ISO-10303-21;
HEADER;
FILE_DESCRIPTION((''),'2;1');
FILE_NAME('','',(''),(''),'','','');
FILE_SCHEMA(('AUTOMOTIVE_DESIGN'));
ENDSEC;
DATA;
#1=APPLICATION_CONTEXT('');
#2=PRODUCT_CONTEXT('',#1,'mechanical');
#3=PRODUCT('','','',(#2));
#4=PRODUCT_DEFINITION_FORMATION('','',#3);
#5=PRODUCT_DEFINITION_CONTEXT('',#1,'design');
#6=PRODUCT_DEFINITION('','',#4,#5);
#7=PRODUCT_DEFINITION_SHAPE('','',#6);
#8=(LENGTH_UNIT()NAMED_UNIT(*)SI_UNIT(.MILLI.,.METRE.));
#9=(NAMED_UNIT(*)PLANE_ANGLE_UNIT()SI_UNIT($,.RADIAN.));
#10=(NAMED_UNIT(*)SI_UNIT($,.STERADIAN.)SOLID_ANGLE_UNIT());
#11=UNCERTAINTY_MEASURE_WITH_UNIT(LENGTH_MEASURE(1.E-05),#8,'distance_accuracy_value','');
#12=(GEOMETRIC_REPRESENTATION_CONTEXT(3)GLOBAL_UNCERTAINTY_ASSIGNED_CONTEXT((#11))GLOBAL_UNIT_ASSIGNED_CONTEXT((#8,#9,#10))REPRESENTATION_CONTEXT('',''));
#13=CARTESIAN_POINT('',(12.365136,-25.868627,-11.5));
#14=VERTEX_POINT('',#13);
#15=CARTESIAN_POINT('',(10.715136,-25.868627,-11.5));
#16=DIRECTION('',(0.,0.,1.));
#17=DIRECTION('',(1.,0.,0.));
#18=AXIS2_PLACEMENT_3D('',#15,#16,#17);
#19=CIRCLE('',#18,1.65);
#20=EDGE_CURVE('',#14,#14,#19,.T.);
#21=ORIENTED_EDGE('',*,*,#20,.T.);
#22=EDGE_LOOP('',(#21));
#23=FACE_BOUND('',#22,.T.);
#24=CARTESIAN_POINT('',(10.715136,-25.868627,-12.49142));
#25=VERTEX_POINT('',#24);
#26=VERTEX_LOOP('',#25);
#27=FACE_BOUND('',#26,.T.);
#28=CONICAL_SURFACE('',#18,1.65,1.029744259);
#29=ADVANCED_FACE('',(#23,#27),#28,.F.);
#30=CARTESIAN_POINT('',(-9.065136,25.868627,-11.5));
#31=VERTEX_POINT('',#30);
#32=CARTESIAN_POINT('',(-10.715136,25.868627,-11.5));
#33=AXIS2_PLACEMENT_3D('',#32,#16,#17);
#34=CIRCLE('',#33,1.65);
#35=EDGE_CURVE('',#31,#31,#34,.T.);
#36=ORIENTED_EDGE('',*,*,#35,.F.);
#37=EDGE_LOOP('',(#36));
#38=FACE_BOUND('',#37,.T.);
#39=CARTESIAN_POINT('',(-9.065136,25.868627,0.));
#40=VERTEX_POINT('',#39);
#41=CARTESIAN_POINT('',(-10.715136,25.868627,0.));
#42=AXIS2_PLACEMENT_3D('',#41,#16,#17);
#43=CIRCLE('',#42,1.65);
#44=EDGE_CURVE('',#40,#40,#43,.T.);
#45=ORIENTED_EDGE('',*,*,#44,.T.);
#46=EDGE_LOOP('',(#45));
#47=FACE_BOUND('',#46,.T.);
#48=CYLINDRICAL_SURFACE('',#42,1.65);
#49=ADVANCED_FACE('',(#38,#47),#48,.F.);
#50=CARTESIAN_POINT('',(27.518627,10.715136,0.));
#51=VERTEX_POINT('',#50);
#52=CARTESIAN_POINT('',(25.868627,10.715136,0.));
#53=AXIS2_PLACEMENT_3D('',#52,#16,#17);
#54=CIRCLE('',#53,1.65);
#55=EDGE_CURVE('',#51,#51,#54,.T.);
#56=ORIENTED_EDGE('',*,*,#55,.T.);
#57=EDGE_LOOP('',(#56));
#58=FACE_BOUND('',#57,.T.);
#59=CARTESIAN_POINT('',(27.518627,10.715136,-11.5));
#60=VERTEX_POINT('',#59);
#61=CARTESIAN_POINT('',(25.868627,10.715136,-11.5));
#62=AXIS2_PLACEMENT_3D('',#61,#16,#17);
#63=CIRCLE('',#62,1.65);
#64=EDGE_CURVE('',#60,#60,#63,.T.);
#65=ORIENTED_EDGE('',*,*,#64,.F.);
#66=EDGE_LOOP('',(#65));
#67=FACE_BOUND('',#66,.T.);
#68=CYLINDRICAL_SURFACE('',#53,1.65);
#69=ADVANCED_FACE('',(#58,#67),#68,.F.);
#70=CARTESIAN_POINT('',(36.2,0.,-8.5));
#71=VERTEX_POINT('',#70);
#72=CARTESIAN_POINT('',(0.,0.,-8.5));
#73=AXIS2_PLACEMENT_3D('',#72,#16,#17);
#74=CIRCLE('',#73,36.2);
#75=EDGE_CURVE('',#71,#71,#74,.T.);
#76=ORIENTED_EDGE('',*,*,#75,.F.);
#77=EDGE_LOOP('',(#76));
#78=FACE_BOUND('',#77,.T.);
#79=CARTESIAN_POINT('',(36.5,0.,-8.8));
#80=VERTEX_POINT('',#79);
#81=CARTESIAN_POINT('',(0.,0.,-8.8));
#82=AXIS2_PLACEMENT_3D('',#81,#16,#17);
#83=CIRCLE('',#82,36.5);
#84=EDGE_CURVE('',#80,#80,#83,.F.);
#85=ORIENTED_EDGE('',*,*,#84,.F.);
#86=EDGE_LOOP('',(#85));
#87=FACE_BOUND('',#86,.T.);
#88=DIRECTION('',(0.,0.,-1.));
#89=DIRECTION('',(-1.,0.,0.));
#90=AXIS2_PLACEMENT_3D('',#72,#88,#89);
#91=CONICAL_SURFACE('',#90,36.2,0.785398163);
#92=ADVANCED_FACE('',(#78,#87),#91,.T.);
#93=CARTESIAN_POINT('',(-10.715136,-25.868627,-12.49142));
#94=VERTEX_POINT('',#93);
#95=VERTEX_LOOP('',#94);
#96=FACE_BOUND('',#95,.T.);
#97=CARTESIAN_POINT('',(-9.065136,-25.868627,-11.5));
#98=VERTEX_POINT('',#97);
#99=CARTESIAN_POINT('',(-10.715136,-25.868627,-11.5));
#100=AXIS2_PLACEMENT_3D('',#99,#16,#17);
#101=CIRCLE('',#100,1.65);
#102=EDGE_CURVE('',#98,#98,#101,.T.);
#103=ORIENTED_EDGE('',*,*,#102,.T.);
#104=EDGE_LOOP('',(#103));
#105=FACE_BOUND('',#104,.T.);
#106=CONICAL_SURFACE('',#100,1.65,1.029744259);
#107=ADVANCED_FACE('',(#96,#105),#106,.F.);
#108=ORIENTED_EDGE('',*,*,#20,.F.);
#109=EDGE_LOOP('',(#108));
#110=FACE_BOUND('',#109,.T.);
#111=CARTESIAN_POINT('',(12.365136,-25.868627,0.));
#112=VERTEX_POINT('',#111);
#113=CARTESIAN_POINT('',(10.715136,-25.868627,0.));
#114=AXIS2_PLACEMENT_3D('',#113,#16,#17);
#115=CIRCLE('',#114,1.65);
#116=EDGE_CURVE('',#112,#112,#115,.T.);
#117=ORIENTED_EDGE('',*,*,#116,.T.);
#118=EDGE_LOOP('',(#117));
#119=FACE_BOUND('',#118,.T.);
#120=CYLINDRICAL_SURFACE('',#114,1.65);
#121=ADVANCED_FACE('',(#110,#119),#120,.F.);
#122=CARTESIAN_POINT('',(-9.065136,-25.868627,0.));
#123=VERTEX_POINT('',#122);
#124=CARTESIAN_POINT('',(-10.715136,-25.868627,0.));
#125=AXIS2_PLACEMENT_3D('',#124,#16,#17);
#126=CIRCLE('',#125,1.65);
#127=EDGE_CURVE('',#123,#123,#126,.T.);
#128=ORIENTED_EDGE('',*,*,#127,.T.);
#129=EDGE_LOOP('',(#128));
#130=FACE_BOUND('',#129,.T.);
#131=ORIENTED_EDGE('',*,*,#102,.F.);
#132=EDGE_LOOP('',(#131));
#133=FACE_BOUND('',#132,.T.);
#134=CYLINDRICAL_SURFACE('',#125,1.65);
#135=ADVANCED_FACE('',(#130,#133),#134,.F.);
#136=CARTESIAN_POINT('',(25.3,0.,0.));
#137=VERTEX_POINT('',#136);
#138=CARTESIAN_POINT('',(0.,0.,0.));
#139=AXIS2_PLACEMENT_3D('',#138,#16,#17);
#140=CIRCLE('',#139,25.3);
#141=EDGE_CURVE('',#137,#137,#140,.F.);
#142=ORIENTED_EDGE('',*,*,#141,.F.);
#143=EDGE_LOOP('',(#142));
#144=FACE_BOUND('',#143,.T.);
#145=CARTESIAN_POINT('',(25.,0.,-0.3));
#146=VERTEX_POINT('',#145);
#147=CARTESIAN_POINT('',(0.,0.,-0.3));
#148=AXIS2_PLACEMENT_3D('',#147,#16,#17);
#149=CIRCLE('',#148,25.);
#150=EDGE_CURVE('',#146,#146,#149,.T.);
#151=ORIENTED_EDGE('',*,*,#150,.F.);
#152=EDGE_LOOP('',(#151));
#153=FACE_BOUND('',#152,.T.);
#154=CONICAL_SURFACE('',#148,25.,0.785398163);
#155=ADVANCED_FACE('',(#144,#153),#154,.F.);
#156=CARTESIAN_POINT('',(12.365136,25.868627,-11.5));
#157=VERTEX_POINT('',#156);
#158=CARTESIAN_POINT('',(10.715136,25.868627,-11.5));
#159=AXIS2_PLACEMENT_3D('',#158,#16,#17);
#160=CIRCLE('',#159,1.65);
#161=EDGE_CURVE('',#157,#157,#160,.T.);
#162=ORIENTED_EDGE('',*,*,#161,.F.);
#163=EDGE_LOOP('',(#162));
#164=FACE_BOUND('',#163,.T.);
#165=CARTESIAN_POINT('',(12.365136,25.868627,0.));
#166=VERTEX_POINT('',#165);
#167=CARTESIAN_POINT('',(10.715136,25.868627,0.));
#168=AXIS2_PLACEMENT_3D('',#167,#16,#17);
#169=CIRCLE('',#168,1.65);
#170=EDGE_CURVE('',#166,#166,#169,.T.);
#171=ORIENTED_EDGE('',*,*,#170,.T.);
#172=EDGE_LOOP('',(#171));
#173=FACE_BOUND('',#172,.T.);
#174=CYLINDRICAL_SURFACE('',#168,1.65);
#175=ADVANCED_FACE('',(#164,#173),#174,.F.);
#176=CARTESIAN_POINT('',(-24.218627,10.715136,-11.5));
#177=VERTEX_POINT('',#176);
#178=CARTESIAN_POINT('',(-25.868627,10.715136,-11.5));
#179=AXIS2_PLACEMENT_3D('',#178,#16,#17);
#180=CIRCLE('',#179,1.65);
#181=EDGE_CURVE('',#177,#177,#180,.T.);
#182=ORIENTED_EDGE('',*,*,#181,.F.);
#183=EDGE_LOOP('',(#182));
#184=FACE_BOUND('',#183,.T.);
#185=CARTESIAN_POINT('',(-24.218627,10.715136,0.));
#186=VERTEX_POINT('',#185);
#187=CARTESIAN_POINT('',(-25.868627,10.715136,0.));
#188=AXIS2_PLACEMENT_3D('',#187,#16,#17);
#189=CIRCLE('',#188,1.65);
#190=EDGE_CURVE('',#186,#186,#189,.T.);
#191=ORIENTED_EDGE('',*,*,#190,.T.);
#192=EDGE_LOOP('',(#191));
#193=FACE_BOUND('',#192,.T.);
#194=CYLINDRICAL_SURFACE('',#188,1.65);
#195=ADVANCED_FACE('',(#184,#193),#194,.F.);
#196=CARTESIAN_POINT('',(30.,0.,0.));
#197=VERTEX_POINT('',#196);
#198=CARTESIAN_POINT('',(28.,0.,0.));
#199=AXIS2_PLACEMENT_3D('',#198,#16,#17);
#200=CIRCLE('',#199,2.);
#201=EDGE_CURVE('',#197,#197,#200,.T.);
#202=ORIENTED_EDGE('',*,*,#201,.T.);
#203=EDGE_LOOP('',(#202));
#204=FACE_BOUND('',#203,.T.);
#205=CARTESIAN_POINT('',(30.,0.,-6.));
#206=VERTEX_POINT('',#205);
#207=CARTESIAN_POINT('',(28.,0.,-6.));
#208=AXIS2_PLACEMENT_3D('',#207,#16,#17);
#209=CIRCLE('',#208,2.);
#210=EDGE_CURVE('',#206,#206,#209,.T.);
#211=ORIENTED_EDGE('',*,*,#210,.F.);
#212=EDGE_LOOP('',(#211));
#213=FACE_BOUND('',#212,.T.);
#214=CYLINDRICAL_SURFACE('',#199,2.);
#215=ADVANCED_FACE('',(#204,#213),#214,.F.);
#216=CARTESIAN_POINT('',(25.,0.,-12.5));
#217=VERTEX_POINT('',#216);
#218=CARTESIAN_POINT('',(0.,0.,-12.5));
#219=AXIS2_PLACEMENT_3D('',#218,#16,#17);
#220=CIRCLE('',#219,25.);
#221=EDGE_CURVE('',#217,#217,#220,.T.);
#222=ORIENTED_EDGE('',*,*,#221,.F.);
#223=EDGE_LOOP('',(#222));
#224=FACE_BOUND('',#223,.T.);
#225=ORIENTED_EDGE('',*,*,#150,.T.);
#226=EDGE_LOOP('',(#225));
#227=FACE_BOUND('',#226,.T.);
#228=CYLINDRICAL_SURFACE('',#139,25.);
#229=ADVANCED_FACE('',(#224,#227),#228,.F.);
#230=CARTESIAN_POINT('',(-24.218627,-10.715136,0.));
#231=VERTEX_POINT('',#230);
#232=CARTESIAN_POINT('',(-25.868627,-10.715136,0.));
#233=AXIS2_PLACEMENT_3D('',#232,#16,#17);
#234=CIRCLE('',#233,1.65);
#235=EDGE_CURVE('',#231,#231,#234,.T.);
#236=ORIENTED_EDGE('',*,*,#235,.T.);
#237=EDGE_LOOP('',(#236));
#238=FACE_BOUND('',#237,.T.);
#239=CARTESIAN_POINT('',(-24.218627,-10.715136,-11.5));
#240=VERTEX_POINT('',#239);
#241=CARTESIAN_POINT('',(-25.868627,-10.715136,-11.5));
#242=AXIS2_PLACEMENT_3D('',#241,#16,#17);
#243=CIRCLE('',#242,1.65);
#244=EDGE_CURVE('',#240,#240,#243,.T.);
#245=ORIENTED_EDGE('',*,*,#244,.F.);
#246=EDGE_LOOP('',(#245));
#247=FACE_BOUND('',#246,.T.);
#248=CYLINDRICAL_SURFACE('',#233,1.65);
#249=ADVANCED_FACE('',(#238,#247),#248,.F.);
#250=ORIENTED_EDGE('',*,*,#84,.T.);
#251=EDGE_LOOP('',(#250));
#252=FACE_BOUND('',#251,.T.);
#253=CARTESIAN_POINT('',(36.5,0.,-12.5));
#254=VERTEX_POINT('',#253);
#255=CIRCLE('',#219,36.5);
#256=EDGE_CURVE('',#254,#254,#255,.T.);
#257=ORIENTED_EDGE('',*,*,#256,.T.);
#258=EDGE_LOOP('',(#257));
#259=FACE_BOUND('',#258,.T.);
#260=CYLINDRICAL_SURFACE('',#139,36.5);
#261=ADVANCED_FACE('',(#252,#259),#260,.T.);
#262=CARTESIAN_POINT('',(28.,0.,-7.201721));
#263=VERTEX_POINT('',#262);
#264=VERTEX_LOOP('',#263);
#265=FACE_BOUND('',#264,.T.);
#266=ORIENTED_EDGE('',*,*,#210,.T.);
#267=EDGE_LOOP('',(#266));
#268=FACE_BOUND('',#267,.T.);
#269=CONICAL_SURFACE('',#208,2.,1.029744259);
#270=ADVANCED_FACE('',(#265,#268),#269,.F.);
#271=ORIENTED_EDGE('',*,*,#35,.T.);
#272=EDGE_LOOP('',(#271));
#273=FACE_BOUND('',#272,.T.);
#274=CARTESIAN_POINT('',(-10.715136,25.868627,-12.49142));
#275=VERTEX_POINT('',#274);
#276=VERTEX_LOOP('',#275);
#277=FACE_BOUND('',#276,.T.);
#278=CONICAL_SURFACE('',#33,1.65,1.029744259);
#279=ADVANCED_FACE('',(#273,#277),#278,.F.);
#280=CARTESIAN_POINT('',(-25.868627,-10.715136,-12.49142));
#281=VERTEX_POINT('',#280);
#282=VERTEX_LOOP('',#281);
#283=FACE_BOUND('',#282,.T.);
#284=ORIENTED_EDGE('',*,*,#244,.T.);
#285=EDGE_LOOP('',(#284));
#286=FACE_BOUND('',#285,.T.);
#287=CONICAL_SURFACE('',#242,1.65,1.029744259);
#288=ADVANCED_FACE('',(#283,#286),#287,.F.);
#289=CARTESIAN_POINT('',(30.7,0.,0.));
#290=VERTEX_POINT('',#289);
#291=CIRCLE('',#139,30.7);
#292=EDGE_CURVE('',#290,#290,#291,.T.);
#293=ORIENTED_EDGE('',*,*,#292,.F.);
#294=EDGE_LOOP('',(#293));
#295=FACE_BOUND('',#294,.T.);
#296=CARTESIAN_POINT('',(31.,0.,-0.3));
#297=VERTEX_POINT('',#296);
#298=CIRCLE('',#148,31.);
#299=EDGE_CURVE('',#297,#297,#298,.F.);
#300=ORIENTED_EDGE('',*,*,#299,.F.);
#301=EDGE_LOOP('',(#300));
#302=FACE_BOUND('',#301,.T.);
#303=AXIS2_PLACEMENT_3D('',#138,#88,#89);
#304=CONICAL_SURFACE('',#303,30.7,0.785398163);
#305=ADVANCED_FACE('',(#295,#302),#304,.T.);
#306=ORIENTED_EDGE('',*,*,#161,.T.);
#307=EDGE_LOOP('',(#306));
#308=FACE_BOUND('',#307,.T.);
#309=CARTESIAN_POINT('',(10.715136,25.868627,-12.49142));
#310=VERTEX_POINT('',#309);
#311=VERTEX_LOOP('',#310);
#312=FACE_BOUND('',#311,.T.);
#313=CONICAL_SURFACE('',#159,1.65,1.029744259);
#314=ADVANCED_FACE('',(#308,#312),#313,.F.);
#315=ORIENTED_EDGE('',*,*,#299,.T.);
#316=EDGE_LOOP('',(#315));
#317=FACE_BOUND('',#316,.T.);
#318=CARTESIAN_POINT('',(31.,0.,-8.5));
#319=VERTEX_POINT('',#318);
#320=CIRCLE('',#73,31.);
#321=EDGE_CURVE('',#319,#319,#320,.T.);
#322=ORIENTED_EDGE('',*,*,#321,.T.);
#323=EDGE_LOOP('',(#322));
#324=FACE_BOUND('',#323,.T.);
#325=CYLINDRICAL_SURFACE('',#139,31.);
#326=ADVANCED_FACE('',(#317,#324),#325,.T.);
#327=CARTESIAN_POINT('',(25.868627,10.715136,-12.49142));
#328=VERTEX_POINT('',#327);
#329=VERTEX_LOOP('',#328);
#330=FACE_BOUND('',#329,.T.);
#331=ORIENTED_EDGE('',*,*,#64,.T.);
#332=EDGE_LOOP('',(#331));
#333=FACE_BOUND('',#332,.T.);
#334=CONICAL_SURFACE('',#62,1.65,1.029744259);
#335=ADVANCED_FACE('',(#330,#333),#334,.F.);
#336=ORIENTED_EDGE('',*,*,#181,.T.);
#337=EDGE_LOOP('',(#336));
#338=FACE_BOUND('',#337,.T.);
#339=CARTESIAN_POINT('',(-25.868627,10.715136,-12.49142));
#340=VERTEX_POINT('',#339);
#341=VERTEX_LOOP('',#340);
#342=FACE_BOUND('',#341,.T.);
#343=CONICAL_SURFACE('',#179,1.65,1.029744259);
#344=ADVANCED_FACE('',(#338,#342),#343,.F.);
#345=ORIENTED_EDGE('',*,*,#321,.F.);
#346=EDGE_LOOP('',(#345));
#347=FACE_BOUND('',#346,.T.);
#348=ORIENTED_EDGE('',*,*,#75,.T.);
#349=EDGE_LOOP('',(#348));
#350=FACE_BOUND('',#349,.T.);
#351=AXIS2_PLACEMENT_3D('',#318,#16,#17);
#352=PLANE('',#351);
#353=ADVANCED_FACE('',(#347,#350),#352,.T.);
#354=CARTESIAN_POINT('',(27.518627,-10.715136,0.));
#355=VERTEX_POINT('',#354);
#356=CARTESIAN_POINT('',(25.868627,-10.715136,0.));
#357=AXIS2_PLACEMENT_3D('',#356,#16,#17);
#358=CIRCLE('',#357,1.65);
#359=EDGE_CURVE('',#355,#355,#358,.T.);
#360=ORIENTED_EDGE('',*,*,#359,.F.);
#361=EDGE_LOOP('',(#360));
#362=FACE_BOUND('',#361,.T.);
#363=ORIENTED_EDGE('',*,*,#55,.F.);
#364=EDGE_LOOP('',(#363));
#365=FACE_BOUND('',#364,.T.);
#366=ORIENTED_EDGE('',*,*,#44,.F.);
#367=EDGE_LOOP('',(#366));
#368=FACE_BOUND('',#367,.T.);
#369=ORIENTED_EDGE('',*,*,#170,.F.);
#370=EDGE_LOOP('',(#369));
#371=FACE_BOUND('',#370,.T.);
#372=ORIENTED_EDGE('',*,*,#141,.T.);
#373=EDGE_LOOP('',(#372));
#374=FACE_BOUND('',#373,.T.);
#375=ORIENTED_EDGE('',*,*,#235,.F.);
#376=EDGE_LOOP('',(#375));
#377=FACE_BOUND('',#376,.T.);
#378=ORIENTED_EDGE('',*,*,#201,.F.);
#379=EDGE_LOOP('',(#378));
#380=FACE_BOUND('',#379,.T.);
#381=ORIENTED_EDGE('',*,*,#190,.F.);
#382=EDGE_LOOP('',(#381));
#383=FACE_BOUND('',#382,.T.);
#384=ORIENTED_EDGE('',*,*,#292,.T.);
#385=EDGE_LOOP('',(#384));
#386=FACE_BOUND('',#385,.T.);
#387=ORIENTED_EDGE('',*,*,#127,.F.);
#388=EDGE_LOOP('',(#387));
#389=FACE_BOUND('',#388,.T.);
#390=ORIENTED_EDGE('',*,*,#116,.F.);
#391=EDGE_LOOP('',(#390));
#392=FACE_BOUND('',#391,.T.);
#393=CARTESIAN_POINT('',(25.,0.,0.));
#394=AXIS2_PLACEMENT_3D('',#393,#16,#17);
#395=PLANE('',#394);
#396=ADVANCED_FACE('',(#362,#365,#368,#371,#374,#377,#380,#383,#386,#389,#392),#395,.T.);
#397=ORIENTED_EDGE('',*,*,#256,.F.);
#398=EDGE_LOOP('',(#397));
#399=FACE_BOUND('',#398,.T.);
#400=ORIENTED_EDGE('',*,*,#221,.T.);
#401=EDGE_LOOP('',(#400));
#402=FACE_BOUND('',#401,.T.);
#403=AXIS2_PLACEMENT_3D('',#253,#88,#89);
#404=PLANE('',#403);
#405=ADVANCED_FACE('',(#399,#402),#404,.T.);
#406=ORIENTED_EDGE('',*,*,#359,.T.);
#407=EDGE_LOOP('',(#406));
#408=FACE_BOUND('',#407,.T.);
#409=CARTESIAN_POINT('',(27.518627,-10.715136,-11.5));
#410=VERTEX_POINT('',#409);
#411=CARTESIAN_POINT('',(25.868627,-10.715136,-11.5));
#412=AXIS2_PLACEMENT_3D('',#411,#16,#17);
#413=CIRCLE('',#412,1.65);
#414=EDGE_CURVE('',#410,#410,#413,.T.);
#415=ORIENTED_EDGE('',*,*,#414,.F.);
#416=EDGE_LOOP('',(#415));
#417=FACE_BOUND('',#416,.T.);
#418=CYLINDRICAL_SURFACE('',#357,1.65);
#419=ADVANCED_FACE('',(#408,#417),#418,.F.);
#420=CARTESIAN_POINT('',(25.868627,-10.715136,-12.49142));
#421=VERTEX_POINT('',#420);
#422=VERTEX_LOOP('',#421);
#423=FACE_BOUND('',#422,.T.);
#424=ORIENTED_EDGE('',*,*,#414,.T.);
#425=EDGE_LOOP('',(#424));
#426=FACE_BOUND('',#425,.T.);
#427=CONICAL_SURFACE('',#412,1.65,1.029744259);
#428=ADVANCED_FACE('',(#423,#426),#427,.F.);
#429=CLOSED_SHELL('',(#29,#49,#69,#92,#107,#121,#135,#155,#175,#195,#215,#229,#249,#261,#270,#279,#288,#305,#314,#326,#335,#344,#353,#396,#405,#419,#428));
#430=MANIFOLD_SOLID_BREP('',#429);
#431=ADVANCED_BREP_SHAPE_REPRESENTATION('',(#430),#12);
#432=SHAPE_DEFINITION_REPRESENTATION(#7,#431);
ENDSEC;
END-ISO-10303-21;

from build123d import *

# Parameters (mm, degrees)
CHAMFER1_SIZE             = 0.3
F_4_000_X_6_0_DOWEL_D     = 4
F_4_000_X_6_0_DOWEL_DEPTH = 6
F_4_000_X_6_0_DOWEL_TIP   = 1.201721238
CIRPATTERN1_COUNT         = 8


with BuildPart() as part:
    # Sketch1 → Revolve1 (revolve)
    with BuildSketch(Plane(origin=(0, 0, 0), x_dir=(1, 0, 0), z_dir=(0, 1, 0))):
        Polygon((25, 0), (31, 0), (31, 8.5), (36.5, 8.5), (36.5, 12.5), (25, 12.5), align=None)
    revolve(axis=Axis((0, 0, 0), (0, 0, -1)))

    # Chamfer1
    chamfer1_edges = [part.edges().sort_by_distance(p)[0] for p in [
        (-36.5, 0, -8.5),
        (-25, 0, 0),
        (-31, 0, 0),
    ]]
    chamfer(chamfer1_edges, length=CHAMFER1_SIZE)

    # Ø4.000 x 6.0 Dowel
    with Locations(Plane.XY):
        with Locations((28, 0)):
            Hole(F_4_000_X_6_0_DOWEL_D / 2, depth=F_4_000_X_6_0_DOWEL_DEPTH)
            with Locations((0, 0, -(F_4_000_X_6_0_DOWEL_DEPTH + F_4_000_X_6_0_DOWEL_TIP / 2))):  # 118° drill point
                Cone(0, F_4_000_X_6_0_DOWEL_D / 2, F_4_000_X_6_0_DOWEL_TIP, mode=Mode.SUBTRACT)

    # Sketch5 → M4x0.7 x 6.0 Tapped Hole (revolve, cut)
    with BuildSketch(Plane(origin=(25.86862691, -10.715136106, 0), x_dir=(0, -1, 0), z_dir=(1, 0, 0))):
        Polygon((0, 0), (0, 12.491420021), (1.65, 11.5), (1.65, 0), align=None)
    m4x0_7_x_6_0_tapped_hole = revolve(axis=Axis((25.86862691, -10.715136106, 6.35), (0, 0, -1)), mode=Mode.SUBTRACT)

    # CirPattern1: M4x0.7 x 6.0 Tapped Hole ×8 about axis
    cirpattern1_axis = Axis((0, 0, 0), (0, 0, 1))
    for i in range(1, CIRPATTERN1_COUNT):
        add(m4x0_7_x_6_0_tapped_hole.rotate(cirpattern1_axis, i * 360 / CIRPATTERN1_COUNT), mode=Mode.SUBTRACT)


solid = part.part
